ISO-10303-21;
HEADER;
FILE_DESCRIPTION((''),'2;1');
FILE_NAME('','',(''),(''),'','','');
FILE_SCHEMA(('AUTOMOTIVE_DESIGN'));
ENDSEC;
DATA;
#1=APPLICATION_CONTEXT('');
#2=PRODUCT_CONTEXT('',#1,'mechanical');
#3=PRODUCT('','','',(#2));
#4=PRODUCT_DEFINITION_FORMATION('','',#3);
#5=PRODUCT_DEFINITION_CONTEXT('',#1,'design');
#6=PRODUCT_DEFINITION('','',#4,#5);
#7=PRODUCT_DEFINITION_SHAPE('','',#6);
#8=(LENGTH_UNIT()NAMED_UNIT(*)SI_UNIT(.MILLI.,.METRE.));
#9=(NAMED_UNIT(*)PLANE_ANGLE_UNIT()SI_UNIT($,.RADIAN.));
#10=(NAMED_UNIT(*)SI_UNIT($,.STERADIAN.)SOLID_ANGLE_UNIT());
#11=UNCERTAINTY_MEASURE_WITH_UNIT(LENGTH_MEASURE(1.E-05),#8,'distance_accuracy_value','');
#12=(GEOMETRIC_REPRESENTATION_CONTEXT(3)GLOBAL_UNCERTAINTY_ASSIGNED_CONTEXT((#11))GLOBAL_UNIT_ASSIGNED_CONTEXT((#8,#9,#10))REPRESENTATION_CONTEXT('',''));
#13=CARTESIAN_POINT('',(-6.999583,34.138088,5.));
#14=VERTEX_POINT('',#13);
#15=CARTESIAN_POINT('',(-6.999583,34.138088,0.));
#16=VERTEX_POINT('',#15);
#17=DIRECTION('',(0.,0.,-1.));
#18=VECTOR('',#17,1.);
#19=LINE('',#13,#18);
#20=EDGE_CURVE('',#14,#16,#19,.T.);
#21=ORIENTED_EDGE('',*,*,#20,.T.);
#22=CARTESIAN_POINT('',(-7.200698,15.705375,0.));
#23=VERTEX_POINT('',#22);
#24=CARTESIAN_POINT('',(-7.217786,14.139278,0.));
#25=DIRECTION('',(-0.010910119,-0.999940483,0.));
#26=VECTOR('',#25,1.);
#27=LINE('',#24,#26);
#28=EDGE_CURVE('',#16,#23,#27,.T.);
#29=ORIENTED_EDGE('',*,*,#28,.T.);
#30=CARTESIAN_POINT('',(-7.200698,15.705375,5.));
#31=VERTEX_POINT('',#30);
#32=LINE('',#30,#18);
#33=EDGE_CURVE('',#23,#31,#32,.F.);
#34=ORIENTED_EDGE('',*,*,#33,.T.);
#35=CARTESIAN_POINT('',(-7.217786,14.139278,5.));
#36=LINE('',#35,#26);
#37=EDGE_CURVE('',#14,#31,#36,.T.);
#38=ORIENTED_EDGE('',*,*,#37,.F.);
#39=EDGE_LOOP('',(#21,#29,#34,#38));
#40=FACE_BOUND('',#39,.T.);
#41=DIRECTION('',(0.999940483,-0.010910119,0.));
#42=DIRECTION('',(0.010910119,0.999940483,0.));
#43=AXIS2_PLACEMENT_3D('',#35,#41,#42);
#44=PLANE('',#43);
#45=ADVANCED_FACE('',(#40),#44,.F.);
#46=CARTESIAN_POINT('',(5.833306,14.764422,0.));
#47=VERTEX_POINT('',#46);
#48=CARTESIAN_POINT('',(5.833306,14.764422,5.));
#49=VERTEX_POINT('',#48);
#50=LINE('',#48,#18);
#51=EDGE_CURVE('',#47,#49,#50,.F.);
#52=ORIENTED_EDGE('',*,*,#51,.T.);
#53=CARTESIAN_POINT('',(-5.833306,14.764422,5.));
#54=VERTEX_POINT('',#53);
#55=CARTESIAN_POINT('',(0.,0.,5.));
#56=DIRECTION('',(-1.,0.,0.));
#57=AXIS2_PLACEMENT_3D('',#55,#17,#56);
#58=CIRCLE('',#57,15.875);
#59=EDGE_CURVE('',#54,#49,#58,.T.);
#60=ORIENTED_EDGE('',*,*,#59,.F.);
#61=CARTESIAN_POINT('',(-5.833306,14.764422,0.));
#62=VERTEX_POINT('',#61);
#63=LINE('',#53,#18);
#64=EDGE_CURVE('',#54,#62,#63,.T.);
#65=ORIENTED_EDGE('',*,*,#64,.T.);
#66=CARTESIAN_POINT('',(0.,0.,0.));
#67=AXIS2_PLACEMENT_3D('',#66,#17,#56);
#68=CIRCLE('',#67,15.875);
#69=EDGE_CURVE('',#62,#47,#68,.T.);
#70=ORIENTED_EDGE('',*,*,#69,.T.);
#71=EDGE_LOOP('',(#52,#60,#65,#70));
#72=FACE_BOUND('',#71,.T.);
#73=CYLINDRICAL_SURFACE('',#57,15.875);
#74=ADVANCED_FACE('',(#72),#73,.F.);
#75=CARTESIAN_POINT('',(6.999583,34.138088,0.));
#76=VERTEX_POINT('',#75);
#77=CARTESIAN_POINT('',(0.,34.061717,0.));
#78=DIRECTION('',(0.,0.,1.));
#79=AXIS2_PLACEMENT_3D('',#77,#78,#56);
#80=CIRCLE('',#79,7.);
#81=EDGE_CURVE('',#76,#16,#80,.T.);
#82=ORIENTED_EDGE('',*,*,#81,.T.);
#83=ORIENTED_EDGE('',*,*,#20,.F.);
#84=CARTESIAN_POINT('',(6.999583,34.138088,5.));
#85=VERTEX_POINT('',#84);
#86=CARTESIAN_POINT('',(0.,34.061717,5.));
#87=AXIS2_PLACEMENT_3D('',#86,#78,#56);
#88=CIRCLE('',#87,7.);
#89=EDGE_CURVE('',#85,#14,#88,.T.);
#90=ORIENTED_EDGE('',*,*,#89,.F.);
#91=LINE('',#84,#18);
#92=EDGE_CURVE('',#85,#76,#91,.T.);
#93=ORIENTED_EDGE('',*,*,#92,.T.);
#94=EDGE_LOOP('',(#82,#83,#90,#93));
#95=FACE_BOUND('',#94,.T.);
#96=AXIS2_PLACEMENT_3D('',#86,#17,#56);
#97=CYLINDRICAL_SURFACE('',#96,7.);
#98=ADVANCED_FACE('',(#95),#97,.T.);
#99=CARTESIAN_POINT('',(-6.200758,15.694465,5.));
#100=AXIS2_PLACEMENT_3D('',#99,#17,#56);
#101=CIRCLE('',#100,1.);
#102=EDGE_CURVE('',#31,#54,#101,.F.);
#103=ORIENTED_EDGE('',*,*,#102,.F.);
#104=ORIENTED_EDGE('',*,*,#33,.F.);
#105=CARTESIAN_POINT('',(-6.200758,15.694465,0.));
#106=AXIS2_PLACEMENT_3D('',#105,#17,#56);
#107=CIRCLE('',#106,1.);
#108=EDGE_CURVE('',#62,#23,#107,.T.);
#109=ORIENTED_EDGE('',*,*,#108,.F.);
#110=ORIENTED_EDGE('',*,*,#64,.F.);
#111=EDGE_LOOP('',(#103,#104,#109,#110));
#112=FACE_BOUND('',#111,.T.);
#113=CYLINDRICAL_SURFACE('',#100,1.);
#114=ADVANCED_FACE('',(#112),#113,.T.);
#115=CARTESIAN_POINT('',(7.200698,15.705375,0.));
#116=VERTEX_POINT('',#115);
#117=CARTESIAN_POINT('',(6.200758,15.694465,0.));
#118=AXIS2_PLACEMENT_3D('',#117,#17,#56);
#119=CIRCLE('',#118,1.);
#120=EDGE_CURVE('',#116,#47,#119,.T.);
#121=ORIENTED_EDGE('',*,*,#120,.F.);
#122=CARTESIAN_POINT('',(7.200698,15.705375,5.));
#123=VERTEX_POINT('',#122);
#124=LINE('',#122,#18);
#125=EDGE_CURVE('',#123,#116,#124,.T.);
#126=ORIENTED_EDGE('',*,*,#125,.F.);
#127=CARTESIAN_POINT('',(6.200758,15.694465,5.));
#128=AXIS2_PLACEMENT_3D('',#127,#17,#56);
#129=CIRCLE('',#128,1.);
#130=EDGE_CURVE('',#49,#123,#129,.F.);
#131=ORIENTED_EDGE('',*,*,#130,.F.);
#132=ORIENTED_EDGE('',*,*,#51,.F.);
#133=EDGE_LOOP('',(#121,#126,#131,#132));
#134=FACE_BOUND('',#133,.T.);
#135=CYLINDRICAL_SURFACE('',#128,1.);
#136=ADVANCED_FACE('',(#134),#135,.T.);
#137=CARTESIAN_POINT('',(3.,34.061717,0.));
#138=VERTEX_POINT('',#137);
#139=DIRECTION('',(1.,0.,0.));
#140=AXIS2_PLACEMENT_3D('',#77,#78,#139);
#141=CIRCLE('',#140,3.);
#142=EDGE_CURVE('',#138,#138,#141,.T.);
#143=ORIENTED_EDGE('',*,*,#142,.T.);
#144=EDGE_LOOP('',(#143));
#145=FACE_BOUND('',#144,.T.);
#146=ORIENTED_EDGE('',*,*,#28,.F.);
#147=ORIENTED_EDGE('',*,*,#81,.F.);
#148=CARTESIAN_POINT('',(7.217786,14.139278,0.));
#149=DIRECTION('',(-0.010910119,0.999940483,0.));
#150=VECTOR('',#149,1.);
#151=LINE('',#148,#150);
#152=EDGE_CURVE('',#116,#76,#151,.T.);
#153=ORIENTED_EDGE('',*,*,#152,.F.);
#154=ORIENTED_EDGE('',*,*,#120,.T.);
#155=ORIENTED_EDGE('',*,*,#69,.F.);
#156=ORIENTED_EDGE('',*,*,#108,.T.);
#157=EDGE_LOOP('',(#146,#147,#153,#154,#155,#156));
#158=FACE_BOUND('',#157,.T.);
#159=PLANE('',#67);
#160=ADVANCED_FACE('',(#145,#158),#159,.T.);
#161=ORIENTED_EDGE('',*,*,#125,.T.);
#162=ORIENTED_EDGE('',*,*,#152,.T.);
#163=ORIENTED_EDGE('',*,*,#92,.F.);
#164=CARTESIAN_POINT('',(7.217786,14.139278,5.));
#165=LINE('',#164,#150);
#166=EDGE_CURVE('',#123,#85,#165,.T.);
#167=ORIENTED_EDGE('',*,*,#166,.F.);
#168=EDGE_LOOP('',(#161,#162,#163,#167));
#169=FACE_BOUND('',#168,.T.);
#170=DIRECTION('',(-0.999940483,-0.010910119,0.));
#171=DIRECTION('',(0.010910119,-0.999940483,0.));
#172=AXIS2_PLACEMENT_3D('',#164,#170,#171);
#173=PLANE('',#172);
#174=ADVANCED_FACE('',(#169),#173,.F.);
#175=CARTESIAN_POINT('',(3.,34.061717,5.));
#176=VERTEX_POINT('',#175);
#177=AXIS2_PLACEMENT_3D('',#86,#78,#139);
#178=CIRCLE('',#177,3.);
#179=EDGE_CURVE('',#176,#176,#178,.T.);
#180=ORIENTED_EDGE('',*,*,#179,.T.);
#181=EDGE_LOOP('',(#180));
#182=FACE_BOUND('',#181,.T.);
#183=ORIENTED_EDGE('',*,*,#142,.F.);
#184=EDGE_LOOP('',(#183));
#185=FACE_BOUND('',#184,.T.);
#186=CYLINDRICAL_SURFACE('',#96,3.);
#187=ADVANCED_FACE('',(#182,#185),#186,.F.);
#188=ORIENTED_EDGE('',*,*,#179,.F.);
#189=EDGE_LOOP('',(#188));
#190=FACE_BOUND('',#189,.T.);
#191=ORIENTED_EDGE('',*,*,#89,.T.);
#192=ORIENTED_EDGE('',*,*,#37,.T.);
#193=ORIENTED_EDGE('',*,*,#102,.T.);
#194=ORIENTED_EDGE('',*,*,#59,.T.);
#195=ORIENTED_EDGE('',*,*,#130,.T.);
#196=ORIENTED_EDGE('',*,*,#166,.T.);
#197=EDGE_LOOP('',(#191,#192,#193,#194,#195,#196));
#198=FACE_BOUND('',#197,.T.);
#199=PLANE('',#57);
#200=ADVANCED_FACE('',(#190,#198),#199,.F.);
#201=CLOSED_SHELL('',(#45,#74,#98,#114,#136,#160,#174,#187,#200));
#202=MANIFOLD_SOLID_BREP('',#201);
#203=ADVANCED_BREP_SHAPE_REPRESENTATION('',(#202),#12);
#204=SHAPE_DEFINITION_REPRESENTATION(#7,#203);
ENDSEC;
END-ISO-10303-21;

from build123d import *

# Parameters (mm, degrees)
SKETCH1_R           = 3
BOSS_EXTRUDE1_DEPTH = 5
FILLET1_R           = 1


with BuildPart() as part:
    # Sketch1 → Boss-Extrude1 (new body)
    with BuildSketch(Plane.XY):
        with BuildLine():
            Line((-7.217785759, 14.139278402), (-6.99958338, 34.13808806))
            ThreePointArc((-6.99958338, 34.13808806), (0, 41.061717228), (6.99958338, 34.13808806))
            Line((6.99958338, 34.13808806), (7.217785759, 14.139278402))
            ThreePointArc((7.217785759, 14.139278402), (0, 15.875), (-7.217785759, 14.139278402))
        make_face()
        with Locations((0, 34.061717228)):
            Circle(SKETCH1_R, mode=Mode.SUBTRACT)
    extrude(amount=BOSS_EXTRUDE1_DEPTH)

    # Fillet1
    fillet1_edges = [part.edges().sort_by_distance(p)[0] for p in [
        (-7.217785759, 14.139278402, 2.5),
        (7.217785759, 14.139278402, 2.5),
    ]]
    fillet(fillet1_edges, radius=FILLET1_R)


solid = part.part
